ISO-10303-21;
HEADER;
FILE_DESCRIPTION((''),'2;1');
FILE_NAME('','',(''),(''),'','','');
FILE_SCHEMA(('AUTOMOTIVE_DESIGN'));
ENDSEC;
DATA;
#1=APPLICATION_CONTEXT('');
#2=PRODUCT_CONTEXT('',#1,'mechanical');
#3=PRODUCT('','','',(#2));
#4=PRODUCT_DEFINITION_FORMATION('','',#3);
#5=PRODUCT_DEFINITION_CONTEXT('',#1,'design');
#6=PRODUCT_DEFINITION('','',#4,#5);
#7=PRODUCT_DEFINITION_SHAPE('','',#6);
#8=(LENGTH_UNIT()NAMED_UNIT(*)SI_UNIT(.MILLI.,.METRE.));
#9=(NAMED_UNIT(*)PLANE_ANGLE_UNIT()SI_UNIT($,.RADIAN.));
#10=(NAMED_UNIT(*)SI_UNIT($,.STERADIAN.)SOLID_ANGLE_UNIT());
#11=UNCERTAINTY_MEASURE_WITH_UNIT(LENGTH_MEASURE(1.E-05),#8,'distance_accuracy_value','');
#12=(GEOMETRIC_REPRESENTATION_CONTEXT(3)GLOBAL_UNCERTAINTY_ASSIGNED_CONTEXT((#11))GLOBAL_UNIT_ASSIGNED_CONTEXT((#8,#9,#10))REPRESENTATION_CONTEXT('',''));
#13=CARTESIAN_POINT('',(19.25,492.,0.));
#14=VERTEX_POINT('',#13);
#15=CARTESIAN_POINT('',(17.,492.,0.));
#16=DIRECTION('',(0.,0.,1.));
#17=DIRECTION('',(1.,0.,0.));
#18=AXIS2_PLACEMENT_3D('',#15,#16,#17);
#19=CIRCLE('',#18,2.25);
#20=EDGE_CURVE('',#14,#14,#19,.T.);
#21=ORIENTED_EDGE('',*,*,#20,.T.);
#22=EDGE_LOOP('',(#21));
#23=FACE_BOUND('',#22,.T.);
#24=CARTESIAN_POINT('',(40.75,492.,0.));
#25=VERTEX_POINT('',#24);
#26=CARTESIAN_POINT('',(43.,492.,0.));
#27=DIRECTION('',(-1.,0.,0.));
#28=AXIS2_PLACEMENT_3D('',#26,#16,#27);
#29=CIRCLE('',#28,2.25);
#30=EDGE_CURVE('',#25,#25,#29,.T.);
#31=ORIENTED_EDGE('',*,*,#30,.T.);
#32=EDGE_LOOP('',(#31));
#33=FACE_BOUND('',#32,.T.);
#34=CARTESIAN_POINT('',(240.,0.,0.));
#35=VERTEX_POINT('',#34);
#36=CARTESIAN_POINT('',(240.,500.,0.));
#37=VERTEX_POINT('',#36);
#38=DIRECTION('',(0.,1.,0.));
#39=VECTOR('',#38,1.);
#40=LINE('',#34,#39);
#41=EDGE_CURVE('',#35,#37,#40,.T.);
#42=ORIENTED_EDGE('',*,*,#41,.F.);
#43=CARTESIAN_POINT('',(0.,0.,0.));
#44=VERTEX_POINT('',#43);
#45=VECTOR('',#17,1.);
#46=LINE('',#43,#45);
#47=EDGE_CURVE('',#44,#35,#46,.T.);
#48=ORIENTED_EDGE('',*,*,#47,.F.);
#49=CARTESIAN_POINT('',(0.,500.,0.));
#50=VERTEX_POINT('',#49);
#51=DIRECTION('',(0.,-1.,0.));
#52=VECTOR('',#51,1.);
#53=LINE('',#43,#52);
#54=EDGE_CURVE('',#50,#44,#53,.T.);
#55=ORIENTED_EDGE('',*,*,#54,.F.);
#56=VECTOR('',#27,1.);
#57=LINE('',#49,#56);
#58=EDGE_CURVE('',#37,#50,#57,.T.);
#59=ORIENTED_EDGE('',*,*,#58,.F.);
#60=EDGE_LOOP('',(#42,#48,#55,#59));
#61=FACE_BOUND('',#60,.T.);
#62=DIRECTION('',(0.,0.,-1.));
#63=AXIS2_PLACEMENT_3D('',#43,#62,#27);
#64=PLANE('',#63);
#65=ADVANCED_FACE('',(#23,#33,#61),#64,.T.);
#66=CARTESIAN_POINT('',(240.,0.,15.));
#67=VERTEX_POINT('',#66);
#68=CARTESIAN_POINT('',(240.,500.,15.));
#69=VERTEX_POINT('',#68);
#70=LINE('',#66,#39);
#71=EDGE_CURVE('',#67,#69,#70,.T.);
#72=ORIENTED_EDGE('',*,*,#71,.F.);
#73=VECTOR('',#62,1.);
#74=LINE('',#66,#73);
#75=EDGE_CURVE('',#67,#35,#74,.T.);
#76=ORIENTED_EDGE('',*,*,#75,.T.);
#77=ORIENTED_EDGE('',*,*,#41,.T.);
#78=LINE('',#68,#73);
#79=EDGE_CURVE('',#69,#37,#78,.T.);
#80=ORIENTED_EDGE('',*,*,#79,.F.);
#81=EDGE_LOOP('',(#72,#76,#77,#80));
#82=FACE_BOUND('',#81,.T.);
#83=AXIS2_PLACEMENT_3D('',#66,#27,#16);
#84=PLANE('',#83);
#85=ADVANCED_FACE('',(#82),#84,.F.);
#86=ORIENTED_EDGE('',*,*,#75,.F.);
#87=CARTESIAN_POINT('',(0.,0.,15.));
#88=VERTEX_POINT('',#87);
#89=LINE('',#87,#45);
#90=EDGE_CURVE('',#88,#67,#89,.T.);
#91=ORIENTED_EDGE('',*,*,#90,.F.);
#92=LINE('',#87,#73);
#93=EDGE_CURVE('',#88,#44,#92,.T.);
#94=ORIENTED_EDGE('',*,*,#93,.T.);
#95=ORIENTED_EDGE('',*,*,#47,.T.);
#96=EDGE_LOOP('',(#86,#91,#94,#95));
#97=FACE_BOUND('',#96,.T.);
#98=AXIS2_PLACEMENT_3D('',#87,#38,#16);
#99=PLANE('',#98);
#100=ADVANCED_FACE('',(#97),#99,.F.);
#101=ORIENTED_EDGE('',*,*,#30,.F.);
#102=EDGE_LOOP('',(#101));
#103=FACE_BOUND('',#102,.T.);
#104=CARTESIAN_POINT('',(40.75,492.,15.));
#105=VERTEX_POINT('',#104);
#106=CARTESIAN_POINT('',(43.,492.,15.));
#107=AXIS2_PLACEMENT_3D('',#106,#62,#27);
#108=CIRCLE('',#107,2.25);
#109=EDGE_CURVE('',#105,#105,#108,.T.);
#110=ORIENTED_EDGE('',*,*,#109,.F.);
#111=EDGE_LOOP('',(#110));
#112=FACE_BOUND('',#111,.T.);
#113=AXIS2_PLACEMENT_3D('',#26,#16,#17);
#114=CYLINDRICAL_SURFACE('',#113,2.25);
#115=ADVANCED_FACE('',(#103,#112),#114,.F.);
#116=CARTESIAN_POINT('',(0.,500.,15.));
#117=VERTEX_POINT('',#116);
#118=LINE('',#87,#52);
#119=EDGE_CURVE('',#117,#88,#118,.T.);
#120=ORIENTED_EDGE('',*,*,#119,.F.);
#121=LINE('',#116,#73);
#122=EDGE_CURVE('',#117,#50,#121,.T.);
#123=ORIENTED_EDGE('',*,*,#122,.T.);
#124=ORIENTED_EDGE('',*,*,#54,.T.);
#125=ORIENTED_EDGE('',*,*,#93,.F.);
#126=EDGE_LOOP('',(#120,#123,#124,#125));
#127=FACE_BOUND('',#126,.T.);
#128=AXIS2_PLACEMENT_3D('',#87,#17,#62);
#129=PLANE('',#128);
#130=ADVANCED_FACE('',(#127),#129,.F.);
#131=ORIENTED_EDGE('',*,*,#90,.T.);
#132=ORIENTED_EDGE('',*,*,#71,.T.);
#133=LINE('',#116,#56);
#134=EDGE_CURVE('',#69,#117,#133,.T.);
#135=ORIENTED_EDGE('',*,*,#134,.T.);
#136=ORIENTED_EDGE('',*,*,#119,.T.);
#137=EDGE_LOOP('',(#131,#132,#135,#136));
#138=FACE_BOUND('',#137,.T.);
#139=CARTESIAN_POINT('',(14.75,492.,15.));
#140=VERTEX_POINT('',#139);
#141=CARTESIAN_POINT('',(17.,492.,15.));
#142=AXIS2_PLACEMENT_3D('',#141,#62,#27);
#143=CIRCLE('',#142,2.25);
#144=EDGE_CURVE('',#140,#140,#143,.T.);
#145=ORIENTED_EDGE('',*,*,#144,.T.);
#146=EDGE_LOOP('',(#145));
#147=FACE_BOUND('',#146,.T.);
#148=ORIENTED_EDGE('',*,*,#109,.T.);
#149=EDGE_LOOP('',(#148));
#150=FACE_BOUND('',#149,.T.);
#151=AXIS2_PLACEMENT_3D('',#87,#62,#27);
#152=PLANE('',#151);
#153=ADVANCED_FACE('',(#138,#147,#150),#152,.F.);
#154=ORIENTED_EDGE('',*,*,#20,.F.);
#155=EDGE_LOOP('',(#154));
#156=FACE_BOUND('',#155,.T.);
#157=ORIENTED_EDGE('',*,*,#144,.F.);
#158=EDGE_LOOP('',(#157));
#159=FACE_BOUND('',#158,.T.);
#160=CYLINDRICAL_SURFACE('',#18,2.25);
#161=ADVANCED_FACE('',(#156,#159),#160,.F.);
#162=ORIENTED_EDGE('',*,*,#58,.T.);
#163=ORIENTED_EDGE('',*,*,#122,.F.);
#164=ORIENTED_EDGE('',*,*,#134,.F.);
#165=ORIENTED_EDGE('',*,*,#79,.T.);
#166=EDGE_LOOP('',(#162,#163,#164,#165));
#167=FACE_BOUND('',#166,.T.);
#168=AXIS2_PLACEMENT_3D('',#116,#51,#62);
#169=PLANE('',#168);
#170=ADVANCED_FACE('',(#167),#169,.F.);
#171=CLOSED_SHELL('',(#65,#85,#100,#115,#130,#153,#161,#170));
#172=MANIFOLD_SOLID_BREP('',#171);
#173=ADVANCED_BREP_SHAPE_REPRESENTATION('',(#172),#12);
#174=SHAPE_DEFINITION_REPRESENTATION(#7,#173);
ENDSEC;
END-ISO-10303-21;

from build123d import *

# Parameters (mm, degrees)
ESQUISSE1_W                  = 240
ESQUISSE1_H                  = 500
BOSS_EXTRU_1_DEPTH           = 15
ENL_V_MAT_EXTRU_1_DEPTH      = 555.819790563
ENL_V_MAT_EXTRU_1_DEPTH_BACK = 555.819790563
ESQUISSE2_R                  = 2.25


with BuildPart() as part:
    # Esquisse1 → Boss.-Extru.1 (new body)
    with BuildSketch(Plane.XY):
        with Locations((120, 250)):
            Rectangle(ESQUISSE1_W, ESQUISSE1_H)
    extrude(amount=BOSS_EXTRU_1_DEPTH)

    # Esquisse2 → Enlèv. mat.-Extru.1 (cut, two sides: drawn at the far end of the back side and taken through both)
    with BuildSketch(Plane.XY.offset(15).offset(-ENL_V_MAT_EXTRU_1_DEPTH_BACK)):
        with Locations((17, 492)):
            Circle(ESQUISSE2_R)
        with Locations(Location((43, 492, 0), (0, 0, 180))):
            Circle(ESQUISSE2_R)
    extrude(amount=ENL_V_MAT_EXTRU_1_DEPTH + ENL_V_MAT_EXTRU_1_DEPTH_BACK, mode=Mode.SUBTRACT)


solid = part.part
